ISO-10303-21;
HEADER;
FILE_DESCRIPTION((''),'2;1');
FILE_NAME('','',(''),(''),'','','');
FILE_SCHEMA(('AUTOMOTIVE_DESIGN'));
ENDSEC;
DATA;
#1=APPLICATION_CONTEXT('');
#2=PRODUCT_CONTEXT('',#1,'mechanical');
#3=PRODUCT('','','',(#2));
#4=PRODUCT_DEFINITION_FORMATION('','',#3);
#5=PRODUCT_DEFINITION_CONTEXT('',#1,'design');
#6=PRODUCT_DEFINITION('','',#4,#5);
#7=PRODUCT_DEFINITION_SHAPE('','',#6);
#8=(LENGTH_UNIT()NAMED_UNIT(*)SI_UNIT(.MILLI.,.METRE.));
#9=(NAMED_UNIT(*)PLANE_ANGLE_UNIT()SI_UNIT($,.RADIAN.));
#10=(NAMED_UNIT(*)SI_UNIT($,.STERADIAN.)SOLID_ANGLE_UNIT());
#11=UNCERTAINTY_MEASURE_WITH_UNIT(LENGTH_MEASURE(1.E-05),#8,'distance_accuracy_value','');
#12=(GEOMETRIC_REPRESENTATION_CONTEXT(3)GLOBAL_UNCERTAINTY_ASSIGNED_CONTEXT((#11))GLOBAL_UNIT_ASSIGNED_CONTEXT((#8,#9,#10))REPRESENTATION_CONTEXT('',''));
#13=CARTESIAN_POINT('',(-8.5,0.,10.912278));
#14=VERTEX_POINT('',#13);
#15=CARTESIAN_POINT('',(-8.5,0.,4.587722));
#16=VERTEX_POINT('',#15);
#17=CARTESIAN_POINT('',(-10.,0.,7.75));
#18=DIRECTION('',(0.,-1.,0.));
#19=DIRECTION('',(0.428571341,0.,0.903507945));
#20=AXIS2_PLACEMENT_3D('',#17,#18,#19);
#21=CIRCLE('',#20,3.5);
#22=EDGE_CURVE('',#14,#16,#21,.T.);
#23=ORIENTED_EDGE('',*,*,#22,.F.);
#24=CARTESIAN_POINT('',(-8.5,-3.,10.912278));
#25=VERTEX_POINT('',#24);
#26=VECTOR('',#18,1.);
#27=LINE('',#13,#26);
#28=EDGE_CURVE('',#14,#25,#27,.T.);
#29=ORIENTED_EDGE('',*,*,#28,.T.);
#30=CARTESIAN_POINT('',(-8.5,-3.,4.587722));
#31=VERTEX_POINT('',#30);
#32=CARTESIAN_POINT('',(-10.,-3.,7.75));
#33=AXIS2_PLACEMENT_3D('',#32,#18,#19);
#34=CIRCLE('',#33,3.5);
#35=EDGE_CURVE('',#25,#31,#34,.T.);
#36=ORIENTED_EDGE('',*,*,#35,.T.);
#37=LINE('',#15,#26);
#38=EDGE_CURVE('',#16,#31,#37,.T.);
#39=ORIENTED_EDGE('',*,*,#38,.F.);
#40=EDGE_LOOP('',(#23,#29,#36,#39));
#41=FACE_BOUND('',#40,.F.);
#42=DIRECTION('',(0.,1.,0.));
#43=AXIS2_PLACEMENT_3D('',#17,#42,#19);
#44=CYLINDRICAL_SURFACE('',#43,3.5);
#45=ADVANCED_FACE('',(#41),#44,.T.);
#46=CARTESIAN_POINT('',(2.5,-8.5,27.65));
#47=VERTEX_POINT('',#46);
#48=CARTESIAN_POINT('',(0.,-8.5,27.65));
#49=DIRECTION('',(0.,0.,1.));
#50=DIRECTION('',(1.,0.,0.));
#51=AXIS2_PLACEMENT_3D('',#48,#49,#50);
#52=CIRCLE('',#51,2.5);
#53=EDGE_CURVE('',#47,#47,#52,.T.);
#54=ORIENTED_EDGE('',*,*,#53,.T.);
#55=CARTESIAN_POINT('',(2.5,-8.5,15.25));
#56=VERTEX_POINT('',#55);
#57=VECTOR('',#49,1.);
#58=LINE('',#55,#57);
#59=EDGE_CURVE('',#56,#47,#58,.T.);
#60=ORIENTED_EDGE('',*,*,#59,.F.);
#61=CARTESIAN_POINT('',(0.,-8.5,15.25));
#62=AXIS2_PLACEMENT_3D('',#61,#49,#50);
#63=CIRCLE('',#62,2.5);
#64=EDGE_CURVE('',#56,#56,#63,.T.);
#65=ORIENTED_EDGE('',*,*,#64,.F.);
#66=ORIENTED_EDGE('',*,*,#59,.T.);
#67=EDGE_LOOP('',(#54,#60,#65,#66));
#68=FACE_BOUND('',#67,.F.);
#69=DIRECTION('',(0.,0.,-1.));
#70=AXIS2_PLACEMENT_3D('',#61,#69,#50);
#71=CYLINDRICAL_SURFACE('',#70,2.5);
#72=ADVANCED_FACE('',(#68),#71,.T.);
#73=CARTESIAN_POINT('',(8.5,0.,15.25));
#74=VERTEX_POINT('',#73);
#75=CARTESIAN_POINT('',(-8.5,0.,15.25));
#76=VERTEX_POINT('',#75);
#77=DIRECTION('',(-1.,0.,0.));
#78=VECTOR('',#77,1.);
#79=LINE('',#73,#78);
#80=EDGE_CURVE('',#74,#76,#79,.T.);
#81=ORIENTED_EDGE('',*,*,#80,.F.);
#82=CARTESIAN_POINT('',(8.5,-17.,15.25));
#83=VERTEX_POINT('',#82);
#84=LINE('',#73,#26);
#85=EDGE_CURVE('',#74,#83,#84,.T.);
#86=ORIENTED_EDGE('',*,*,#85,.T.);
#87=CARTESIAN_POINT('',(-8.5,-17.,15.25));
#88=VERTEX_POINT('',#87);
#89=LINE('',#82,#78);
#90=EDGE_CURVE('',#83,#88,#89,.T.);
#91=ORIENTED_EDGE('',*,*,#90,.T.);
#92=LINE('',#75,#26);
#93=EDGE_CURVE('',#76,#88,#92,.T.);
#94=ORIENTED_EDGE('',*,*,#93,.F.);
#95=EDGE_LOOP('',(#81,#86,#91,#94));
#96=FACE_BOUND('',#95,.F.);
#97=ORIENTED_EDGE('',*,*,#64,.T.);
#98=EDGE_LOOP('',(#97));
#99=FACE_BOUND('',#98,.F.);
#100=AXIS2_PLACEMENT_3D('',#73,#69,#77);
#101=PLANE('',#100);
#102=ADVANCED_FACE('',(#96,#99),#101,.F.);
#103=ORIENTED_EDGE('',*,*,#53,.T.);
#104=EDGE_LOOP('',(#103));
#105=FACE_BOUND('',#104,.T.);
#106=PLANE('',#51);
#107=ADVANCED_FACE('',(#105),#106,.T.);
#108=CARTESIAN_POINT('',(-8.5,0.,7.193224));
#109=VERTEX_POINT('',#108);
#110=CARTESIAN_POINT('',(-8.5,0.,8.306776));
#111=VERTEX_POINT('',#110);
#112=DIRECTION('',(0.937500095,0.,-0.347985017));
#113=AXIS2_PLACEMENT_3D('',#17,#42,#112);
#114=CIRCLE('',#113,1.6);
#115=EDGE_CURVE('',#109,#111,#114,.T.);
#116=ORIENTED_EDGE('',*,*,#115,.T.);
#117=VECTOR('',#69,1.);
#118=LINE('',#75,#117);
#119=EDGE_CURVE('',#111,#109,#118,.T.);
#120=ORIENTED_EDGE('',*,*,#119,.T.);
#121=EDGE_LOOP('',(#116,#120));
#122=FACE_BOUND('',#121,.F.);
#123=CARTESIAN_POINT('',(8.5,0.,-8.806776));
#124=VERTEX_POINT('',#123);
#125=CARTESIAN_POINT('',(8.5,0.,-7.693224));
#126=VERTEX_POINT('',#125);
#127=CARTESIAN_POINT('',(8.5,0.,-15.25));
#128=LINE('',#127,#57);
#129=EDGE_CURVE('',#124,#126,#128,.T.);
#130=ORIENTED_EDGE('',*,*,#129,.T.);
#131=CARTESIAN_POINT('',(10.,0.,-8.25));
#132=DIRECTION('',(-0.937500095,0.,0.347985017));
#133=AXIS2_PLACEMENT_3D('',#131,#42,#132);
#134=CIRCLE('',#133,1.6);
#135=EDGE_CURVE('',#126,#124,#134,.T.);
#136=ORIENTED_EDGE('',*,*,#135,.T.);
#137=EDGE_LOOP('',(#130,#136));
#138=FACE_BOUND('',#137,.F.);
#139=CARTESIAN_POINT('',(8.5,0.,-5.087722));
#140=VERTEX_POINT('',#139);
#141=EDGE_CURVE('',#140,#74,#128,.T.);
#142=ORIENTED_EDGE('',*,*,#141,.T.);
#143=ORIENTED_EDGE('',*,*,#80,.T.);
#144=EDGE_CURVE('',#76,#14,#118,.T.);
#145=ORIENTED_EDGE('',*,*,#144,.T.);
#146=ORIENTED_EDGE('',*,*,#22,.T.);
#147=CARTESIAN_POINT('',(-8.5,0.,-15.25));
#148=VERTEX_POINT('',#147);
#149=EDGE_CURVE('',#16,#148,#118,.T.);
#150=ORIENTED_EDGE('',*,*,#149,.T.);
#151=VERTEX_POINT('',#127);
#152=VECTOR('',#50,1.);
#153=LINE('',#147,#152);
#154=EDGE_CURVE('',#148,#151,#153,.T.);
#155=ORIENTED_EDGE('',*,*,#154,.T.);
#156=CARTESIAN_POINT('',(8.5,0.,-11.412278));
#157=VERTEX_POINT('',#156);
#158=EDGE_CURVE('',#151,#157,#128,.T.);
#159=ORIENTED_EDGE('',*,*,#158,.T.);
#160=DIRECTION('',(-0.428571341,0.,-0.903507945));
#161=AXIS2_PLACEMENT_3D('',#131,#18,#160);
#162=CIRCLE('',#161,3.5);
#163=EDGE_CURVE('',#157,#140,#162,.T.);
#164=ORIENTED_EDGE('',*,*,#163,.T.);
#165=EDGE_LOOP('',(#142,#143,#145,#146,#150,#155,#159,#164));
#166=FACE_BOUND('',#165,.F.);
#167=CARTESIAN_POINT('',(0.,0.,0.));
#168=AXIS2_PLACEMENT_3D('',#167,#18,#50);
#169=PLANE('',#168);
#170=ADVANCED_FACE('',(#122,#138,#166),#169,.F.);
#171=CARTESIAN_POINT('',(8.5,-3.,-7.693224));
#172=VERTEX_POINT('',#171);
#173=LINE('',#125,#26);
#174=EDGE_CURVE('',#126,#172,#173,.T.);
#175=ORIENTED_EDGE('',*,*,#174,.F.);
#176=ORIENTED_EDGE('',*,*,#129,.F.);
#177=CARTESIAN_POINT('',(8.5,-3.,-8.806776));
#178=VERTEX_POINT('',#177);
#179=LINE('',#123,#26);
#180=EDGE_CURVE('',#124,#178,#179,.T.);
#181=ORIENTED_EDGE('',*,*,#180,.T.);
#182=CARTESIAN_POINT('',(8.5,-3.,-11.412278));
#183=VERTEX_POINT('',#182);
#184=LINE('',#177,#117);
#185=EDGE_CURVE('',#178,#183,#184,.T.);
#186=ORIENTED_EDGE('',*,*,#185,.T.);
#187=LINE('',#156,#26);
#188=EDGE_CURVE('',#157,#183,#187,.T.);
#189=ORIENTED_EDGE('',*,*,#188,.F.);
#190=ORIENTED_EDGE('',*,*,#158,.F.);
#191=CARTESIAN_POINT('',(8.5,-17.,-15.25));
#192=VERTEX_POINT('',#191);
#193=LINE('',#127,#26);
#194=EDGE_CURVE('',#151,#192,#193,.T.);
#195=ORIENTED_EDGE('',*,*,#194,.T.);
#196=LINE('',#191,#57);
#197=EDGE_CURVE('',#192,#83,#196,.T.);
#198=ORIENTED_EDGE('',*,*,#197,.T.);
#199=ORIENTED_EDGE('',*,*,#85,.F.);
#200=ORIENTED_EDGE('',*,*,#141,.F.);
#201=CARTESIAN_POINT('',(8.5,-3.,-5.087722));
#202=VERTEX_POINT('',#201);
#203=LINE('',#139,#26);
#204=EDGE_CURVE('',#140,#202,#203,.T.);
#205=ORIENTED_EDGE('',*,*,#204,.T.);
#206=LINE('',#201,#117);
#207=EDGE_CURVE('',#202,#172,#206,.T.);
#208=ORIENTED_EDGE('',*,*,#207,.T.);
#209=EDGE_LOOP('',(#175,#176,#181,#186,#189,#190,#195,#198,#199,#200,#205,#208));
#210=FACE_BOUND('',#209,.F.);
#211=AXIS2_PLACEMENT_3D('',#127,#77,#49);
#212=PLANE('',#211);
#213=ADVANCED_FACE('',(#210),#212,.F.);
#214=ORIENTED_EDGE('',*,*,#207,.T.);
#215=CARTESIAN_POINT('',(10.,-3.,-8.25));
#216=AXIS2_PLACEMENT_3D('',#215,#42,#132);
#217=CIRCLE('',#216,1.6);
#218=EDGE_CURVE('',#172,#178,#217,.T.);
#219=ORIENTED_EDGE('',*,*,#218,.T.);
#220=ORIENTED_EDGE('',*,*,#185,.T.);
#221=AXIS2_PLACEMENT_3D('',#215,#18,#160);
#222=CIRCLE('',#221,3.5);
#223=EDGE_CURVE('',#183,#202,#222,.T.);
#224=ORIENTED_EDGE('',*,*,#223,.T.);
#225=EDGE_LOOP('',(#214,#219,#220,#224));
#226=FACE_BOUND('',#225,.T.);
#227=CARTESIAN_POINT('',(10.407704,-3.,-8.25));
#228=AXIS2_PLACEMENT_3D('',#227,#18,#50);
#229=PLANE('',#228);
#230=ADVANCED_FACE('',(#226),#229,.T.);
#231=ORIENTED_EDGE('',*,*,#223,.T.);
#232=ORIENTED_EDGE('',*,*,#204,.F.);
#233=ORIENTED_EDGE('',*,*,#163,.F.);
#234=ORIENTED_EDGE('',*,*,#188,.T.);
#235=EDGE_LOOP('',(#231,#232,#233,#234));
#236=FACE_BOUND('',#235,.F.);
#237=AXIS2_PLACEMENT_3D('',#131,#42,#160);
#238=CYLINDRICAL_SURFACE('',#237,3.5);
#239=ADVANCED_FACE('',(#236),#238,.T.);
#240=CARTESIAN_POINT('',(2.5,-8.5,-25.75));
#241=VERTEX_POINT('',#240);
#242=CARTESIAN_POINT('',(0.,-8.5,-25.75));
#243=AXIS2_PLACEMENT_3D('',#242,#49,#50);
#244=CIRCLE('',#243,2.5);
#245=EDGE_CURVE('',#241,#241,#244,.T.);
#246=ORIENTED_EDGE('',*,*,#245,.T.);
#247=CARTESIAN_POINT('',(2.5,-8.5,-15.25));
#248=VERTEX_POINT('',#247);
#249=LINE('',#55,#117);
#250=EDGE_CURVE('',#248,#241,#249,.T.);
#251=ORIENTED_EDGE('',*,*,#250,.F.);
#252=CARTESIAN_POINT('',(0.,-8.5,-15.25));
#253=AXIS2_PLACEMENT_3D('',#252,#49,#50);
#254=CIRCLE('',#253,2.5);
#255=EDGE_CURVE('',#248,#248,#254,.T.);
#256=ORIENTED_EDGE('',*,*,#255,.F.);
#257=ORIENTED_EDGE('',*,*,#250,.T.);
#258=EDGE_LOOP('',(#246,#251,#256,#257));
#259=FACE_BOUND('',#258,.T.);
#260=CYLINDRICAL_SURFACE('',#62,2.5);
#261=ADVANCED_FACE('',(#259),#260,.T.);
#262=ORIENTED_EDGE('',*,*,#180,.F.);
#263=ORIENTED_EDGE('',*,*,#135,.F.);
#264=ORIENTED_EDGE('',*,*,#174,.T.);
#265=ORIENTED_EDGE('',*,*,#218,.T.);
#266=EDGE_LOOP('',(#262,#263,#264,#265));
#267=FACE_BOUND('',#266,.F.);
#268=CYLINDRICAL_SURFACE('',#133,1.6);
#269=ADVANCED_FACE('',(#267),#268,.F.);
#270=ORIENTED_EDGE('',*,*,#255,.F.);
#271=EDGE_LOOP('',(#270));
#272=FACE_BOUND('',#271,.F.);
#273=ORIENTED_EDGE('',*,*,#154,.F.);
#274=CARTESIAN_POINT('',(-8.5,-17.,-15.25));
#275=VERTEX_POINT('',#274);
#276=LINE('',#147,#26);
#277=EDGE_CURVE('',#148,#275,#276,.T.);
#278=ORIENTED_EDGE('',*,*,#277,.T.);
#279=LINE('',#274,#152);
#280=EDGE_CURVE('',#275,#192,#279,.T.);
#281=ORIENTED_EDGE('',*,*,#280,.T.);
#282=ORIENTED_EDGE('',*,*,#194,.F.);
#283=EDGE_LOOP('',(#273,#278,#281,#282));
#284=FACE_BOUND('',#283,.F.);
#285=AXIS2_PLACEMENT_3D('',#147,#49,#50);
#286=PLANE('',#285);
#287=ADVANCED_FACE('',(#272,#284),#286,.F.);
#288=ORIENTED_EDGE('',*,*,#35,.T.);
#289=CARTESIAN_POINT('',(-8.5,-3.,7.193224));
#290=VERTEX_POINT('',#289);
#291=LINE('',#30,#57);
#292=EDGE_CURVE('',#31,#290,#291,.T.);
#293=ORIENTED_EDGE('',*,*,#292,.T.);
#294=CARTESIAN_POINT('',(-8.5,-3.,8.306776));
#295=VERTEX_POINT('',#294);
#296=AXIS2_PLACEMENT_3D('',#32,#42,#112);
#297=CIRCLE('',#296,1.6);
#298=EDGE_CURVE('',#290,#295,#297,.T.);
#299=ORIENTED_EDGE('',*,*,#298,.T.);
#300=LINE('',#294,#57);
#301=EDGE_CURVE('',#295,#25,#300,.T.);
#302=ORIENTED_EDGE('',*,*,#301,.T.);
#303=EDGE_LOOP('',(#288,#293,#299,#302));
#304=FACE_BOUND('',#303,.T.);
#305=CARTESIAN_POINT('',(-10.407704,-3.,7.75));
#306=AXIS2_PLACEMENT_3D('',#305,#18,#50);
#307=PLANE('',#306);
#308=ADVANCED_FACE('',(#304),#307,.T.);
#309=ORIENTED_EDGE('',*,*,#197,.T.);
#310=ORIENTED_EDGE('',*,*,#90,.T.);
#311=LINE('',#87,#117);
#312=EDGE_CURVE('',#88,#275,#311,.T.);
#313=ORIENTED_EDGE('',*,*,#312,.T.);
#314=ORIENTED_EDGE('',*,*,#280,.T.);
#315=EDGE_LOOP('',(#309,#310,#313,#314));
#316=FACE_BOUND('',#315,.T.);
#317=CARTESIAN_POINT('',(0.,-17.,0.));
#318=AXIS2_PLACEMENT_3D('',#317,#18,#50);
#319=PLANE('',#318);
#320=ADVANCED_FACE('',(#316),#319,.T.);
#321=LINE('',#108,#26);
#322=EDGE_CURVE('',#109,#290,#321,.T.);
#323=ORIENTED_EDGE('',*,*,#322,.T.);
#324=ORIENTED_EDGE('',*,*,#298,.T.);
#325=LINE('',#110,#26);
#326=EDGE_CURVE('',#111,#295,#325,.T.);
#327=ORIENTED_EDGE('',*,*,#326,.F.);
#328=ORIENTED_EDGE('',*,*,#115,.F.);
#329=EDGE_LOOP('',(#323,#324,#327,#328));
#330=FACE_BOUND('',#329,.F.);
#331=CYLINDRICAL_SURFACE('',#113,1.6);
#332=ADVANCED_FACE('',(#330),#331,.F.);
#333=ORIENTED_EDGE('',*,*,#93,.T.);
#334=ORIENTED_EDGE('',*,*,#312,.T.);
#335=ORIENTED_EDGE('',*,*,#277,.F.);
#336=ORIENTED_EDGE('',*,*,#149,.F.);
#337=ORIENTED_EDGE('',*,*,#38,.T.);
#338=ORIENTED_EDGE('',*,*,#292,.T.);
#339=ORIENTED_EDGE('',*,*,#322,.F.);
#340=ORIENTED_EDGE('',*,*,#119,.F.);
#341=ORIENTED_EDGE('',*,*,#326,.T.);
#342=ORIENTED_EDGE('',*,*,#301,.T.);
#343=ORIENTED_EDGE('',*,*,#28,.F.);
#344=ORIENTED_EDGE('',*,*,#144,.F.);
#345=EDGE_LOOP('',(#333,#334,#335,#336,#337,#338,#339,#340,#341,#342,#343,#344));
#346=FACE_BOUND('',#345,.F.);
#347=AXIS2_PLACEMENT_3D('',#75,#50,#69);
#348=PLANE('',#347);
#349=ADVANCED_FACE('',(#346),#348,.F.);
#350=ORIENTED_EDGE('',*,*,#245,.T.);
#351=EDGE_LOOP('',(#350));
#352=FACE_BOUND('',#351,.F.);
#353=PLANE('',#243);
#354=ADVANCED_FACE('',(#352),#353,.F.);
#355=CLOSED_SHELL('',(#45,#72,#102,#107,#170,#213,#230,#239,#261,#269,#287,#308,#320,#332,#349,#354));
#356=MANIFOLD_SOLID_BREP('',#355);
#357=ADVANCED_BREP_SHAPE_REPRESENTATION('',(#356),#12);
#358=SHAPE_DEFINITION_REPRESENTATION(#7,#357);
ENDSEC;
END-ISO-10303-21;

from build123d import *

# Parameters (mm, degrees)
F1_DEPTH = 17
F2_DEPTH = 3
F3_R     = 2.5
F4_DEPTH = 12.4
F5_DEPTH = 41


with BuildPart() as f1:
    # F0 (on Front) → F1 (new body)
    with BuildSketch(Plane.XZ):
        Polygon((8.5, 15.25), (-8.5, 15.25), (-8.5, 10.912278), (-8.5, 8.306776), (-8.5, 7.193224), (-8.5, 4.587722), (-8.5, -15.25), (8.5, -15.25), (8.5, -11.412278), (8.5, -8.806776), (8.5, -7.693224), (8.5, -5.087722), align=None)
    extrude(amount=F1_DEPTH)

    # F0 (on Front) → F2 (join)
    with BuildSketch(Plane.XZ):
        with BuildLine():
            Line((-8.5, 8.306776), (-8.5, 10.912278))
            ThreePointArc((-8.5, 10.912278), (-13.5, 7.75), (-8.5, 4.587722))
            Line((-8.5, 4.587722), (-8.5, 7.193224))
            ThreePointArc((-8.5, 7.193224), (-11.6, 7.75), (-8.5, 8.306776))
        make_face()
        with BuildLine():
            ThreePointArc((8.5, -11.412278), (13.5, -8.25), (8.5, -5.087722))
            Line((8.5, -5.087722), (8.5, -7.693224))
            ThreePointArc((8.5, -7.693224), (11.6, -8.25), (8.5, -8.806776))
            Line((8.5, -8.806776), (8.5, -11.412278))
        make_face()
    extrude(amount=F2_DEPTH)

    # F3 (on face) → F4 (join)
    with BuildSketch(Plane.XY.offset(15.25)):
        with Locations((0, -8.5)):
            Circle(F3_R)
    extrude(amount=F4_DEPTH)

    # F3 (on face) → F5 (join)
    with BuildSketch(Plane.XY.offset(15.25)):
        with Locations((0, -8.5)):
            Circle(F3_R)
    extrude(amount=-F5_DEPTH)


solid = f1.part
